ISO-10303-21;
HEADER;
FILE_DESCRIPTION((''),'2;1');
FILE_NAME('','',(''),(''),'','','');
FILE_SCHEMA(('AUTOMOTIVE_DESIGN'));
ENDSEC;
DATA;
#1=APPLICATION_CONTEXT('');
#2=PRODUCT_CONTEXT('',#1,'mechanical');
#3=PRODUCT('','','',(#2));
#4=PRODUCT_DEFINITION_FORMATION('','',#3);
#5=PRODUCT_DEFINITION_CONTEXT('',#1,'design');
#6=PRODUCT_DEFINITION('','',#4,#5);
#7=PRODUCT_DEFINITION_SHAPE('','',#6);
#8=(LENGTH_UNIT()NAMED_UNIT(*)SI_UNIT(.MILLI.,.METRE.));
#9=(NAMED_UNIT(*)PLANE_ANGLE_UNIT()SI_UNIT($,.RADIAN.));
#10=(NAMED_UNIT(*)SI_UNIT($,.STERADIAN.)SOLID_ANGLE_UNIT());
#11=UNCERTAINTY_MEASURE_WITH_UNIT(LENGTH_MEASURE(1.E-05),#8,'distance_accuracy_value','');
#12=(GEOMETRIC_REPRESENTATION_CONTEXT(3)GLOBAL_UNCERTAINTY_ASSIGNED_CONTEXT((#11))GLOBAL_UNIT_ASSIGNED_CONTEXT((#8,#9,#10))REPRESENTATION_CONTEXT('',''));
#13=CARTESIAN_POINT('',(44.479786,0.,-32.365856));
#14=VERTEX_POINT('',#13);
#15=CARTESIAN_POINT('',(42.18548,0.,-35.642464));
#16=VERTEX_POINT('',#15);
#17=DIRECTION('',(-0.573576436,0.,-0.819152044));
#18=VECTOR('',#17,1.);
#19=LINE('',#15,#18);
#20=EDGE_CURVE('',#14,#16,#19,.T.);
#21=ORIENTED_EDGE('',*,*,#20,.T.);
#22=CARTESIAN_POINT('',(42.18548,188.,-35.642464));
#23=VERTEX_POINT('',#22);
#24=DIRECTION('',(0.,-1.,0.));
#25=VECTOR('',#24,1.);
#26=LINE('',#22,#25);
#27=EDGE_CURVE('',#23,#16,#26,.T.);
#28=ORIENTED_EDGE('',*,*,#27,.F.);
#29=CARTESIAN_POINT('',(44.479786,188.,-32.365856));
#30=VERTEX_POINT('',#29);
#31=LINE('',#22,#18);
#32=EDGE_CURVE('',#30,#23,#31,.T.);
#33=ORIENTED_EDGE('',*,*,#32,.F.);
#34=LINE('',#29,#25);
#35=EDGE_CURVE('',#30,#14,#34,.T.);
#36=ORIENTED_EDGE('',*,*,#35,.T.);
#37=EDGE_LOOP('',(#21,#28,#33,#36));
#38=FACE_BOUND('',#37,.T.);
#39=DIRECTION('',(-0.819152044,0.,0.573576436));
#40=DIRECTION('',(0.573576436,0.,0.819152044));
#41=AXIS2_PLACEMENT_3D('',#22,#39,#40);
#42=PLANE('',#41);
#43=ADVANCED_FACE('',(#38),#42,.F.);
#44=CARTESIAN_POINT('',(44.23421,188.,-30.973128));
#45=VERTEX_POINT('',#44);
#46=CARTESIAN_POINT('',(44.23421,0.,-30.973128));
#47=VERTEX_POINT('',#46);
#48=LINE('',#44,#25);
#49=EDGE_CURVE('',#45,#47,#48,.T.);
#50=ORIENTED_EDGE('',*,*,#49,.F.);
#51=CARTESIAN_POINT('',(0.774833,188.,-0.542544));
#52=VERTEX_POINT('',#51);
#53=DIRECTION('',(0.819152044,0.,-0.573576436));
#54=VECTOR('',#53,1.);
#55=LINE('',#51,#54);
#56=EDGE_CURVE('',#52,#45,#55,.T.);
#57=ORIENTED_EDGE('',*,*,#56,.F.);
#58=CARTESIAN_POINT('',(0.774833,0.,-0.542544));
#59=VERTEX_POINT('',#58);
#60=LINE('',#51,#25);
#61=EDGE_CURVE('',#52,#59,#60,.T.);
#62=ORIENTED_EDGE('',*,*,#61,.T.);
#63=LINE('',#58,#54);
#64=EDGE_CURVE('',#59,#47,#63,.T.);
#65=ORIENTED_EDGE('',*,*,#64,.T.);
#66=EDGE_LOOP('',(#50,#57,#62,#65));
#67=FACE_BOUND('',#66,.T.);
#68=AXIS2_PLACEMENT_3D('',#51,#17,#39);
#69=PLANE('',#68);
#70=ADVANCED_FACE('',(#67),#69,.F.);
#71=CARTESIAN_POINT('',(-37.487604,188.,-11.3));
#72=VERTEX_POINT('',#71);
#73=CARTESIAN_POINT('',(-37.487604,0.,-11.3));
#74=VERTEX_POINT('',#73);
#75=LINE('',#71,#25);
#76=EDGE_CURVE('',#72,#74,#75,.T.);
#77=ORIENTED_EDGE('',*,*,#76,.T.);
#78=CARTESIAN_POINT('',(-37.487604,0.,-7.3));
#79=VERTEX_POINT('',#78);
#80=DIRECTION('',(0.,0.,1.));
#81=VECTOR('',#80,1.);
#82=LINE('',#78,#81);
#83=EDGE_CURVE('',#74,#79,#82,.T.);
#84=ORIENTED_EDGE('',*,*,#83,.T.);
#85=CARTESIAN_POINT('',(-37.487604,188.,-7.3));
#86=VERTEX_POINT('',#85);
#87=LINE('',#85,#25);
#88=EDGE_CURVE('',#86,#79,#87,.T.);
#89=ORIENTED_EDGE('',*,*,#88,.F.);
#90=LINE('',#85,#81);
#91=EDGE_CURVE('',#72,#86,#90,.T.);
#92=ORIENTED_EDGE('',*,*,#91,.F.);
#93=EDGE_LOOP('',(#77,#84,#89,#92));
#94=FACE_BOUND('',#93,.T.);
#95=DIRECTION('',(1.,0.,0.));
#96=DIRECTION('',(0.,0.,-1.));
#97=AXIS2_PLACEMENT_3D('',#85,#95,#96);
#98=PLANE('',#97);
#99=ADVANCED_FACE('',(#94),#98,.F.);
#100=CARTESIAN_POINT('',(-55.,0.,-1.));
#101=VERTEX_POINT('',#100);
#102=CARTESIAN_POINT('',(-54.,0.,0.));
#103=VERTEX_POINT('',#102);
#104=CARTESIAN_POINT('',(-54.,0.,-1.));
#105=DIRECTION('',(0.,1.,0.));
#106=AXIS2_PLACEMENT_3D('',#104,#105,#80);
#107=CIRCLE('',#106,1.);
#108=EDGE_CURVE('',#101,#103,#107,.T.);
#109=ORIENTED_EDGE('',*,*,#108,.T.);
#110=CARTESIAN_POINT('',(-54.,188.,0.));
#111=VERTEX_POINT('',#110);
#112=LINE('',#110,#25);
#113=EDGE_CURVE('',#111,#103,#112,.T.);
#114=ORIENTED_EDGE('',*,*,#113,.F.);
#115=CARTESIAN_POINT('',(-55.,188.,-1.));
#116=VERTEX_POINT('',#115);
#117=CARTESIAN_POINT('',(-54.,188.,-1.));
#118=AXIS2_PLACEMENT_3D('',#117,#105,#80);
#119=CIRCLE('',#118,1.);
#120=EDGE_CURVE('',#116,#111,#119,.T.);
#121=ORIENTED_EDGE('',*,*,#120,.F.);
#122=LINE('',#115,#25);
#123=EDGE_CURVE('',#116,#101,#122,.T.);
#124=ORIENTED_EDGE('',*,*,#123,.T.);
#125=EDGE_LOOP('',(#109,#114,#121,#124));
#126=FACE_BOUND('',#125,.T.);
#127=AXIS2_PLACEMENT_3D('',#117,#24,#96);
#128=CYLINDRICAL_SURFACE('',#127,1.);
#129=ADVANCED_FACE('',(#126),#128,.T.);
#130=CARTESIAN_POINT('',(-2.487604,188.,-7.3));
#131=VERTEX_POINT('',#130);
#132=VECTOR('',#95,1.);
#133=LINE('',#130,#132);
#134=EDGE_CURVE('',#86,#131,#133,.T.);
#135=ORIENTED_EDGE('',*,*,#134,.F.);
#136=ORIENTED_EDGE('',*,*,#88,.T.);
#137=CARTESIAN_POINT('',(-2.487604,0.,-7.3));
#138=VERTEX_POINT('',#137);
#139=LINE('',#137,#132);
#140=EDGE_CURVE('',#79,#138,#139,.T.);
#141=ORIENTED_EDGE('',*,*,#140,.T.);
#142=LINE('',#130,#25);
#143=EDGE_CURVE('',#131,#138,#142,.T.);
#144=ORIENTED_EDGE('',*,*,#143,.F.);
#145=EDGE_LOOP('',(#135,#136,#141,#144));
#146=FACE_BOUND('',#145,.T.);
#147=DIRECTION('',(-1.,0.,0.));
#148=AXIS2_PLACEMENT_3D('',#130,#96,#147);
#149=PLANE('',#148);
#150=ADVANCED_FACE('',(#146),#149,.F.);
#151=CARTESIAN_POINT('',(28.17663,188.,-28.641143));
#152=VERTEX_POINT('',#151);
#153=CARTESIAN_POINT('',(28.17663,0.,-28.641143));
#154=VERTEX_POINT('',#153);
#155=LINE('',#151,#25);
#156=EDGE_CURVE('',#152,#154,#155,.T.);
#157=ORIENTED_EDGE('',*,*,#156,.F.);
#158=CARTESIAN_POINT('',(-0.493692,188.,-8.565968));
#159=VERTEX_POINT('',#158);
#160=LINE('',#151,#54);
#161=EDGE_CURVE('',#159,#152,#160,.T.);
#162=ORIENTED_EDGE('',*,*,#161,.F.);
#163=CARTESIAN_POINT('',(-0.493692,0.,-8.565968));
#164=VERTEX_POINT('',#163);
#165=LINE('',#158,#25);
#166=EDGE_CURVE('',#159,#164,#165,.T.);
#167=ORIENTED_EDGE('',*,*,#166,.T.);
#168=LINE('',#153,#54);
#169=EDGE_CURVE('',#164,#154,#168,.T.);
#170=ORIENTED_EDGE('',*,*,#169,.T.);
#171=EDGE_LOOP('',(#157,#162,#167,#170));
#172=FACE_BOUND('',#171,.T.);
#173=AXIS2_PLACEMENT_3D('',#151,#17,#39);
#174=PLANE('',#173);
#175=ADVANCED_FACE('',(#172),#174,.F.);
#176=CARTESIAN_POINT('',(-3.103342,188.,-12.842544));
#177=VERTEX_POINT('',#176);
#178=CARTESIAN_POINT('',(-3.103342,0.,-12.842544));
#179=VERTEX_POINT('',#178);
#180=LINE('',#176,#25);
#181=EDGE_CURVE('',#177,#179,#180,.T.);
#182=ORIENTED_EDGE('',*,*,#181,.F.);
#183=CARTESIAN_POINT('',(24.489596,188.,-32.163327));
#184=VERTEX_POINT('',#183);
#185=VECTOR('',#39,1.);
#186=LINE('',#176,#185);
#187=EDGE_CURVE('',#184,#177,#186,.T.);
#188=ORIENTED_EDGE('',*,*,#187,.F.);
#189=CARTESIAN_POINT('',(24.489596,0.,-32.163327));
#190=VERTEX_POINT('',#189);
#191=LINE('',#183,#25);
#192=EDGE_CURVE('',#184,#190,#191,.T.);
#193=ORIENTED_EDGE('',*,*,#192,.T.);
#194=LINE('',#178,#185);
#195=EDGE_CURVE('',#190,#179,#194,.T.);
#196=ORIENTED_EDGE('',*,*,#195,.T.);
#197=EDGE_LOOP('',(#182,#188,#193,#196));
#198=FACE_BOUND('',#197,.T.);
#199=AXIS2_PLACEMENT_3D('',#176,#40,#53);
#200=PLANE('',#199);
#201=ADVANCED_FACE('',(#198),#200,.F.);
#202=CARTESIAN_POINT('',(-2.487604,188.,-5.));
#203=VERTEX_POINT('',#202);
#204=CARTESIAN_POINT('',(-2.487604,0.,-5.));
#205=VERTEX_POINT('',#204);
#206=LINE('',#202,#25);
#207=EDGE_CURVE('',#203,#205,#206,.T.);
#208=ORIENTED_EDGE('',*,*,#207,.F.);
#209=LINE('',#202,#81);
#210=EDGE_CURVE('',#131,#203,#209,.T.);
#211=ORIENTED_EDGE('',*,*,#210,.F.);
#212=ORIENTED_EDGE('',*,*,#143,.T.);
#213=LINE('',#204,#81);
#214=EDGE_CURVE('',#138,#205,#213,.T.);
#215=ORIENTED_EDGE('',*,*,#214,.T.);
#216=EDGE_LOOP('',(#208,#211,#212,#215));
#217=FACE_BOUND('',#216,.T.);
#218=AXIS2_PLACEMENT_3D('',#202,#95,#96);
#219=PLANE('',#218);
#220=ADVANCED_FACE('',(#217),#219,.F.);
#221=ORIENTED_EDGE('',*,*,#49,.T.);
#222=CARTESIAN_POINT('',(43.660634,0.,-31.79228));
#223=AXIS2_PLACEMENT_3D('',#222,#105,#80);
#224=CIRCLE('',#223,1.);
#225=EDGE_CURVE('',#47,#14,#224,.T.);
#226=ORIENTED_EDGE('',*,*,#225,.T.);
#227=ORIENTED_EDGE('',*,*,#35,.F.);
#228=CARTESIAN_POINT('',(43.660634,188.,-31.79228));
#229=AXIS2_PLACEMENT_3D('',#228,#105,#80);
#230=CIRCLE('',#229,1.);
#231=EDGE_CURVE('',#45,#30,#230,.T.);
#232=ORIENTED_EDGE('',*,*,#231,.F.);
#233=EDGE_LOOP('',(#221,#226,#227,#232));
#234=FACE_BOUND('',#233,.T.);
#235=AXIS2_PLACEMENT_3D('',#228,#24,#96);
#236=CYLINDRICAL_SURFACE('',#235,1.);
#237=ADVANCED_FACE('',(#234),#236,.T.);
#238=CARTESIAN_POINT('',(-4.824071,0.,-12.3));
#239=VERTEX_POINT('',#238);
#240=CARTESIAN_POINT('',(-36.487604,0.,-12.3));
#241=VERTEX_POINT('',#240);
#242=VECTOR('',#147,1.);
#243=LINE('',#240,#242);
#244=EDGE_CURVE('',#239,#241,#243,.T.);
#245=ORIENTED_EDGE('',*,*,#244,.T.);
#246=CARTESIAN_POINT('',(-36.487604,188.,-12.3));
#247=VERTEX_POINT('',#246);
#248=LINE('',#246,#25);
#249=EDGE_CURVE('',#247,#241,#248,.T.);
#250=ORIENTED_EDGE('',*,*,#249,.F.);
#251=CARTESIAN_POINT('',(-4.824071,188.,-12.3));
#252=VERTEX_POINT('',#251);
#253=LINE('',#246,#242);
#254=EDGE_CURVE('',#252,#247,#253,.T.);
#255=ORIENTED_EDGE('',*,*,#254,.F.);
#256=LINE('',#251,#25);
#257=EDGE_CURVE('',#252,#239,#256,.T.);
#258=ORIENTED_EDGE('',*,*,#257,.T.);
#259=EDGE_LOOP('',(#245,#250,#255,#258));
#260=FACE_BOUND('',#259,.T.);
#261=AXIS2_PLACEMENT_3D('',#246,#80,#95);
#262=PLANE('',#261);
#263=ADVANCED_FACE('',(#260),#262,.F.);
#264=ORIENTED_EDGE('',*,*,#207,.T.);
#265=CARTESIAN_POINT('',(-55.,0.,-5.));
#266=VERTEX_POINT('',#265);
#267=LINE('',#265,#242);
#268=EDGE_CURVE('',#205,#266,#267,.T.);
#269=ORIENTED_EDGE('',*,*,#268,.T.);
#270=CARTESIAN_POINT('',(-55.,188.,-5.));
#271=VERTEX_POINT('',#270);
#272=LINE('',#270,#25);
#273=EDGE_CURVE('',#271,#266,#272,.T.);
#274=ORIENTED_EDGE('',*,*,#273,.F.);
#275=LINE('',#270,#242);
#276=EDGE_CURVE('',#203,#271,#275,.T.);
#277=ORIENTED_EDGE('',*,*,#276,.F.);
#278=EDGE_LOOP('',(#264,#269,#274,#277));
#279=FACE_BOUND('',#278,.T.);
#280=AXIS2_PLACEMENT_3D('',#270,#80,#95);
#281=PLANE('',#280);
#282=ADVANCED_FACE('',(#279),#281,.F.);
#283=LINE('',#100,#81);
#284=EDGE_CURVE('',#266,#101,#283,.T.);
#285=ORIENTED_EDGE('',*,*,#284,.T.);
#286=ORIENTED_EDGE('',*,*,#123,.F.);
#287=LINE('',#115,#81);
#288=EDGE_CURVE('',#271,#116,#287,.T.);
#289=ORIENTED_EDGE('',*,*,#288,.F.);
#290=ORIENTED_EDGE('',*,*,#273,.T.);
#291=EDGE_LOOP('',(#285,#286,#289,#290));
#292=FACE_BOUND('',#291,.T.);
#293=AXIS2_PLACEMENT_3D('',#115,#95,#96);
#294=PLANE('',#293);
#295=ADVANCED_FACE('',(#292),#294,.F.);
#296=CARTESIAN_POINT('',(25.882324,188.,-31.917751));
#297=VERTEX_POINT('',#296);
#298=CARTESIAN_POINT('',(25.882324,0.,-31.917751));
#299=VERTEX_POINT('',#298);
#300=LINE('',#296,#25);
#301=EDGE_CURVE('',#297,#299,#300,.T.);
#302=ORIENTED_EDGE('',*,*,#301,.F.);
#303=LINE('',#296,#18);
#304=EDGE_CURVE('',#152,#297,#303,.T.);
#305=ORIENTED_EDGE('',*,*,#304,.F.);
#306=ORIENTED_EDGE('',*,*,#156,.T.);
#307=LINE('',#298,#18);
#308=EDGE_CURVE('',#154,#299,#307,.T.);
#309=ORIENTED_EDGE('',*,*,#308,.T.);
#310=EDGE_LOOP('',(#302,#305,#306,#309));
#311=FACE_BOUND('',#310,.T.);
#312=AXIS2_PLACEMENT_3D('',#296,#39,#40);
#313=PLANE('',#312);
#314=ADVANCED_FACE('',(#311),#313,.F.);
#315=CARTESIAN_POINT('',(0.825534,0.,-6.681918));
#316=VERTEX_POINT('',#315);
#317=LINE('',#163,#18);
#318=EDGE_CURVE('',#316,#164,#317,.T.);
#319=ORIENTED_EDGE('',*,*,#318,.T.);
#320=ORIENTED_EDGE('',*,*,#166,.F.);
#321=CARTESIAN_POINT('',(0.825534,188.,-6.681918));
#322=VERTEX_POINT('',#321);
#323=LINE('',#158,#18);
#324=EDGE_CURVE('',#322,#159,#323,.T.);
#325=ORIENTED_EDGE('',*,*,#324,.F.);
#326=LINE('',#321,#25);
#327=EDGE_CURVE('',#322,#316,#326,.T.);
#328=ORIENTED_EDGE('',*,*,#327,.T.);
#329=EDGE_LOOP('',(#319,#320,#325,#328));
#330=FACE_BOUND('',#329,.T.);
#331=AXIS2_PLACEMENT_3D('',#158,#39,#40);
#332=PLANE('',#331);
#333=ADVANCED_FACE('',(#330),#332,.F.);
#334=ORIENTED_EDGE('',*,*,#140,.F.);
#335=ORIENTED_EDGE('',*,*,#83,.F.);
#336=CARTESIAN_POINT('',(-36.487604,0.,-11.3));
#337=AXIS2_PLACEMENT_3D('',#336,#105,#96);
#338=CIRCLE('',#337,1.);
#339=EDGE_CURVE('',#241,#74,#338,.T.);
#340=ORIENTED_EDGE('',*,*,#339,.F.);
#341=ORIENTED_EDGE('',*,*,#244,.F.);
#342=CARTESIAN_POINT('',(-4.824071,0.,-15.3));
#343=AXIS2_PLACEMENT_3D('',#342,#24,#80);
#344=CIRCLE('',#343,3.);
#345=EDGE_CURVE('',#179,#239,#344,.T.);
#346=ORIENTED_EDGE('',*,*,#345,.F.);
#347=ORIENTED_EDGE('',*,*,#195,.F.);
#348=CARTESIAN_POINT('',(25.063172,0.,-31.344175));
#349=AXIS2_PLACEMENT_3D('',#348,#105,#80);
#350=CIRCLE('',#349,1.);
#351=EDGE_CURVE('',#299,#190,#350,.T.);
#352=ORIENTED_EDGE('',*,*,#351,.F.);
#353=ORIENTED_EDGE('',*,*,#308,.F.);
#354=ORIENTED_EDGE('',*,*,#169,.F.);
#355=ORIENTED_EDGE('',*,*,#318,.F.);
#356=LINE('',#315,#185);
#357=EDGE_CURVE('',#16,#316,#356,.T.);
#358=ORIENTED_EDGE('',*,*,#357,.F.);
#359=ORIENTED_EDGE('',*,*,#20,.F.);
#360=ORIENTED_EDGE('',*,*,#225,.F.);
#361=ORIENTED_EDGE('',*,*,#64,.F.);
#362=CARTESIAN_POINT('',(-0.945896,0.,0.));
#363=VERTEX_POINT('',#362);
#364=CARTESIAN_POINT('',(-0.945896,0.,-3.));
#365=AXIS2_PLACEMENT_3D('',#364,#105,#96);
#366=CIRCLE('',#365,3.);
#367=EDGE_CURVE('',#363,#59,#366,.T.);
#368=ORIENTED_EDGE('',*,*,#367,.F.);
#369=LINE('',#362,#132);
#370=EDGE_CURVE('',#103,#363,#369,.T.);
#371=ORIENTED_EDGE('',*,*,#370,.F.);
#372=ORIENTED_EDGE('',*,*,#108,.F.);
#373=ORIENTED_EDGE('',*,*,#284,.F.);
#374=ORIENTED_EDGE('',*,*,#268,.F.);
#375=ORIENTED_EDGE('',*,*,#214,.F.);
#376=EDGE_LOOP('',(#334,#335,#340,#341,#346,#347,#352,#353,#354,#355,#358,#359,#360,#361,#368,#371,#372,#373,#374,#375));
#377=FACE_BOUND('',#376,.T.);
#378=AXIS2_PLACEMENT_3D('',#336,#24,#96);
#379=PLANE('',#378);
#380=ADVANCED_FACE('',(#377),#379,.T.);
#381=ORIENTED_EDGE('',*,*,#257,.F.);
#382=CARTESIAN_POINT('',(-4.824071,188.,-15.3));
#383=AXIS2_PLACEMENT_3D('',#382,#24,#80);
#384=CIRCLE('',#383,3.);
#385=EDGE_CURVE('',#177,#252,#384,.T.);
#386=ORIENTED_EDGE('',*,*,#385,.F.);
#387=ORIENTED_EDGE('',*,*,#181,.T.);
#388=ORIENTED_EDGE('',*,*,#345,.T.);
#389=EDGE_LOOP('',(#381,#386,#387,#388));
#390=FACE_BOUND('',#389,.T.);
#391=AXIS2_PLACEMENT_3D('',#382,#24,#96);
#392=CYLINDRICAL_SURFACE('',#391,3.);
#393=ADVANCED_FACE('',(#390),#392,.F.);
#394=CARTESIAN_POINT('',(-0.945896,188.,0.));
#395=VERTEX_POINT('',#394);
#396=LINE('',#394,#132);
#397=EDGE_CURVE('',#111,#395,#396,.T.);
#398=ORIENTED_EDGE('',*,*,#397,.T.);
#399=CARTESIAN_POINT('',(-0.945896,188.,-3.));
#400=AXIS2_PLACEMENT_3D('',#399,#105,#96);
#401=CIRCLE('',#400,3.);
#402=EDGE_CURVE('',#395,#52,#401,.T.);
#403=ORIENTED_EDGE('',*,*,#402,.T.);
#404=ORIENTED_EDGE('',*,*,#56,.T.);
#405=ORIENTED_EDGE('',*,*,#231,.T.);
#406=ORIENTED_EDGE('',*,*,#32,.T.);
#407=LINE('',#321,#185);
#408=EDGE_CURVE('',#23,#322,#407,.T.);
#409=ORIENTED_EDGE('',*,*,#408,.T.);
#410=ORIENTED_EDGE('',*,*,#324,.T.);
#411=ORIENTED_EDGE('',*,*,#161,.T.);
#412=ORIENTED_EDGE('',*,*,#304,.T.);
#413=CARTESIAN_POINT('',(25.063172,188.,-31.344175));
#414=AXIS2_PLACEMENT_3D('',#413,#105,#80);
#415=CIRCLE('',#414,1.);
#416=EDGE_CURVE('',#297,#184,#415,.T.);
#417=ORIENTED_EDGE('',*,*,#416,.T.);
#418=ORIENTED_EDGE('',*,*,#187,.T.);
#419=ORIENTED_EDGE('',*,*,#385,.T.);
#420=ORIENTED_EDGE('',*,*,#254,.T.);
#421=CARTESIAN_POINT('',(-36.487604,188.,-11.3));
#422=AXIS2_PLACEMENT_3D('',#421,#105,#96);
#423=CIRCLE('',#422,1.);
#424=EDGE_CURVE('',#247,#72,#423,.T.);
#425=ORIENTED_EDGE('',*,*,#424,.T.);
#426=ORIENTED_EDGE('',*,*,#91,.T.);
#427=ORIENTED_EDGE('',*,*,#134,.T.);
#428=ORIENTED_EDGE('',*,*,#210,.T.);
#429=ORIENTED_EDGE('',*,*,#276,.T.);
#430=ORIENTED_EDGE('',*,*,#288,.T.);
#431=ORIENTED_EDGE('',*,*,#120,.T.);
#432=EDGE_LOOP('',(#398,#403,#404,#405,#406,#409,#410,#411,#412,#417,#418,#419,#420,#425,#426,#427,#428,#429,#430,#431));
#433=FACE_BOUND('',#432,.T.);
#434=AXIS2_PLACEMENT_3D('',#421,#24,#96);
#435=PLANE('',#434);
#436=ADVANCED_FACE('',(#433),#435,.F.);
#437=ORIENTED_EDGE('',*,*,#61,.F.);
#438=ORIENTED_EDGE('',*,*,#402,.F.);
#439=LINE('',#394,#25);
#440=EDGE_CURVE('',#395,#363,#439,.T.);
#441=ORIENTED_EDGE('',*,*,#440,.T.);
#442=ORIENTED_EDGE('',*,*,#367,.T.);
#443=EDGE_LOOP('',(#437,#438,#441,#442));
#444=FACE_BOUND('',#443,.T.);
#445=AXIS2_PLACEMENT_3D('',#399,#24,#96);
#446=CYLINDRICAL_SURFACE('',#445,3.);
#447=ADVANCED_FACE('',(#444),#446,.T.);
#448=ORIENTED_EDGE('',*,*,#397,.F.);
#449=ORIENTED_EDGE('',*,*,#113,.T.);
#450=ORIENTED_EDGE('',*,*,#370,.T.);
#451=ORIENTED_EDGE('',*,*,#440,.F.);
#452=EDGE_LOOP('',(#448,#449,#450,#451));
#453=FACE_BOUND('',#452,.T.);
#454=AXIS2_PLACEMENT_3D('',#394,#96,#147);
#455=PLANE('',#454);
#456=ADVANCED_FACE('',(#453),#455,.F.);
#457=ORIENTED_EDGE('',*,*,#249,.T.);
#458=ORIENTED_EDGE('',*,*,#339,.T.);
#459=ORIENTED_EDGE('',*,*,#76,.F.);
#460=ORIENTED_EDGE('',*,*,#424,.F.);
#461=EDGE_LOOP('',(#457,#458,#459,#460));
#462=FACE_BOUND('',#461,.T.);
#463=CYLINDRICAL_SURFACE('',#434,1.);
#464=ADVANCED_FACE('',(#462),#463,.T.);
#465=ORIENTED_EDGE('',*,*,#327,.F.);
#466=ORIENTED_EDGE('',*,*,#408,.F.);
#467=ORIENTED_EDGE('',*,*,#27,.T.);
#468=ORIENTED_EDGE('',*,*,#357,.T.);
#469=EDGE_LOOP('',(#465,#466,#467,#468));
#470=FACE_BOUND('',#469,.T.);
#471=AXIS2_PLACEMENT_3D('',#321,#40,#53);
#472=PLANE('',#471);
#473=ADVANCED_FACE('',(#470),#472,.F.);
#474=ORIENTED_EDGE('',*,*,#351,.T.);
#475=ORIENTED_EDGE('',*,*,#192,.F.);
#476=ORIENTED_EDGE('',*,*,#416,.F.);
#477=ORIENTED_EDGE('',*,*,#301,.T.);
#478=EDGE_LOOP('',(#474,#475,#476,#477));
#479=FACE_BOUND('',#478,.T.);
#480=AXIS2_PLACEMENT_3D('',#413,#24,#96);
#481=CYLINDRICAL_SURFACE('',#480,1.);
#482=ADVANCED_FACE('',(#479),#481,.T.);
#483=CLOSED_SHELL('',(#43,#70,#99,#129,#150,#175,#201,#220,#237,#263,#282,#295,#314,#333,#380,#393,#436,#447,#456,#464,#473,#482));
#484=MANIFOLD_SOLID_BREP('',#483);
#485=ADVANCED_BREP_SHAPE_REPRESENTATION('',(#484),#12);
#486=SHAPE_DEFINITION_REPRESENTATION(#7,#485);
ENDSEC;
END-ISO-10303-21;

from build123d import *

# Parameters (mm, degrees)
BOSS_EXTRUDE1_DEPTH = 188


with BuildPart() as part:
    # Sketch2 → Boss-Extrude1 (new body)
    with BuildSketch(Plane(origin=(0, 0, 0), x_dir=(1, 0, 0), z_dir=(0, 1, 0))):
        with BuildLine():
            Line((-0.945896367, 0), (-54, 0))
            ThreePointArc((-54, 0), (-54.707106781, 0.292893219), (-55, 1))
            Line((-55, 1), (-55, 5))
            Line((-55, 5), (-2.487604379, 5))
            Line((-2.487604379, 5), (-2.487604379, 7.3))
            Line((-2.487604379, 7.3), (-37.487604379, 7.3))
            Line((-37.487604379, 7.3), (-37.487604379, 11.3))
            ThreePointArc((-37.487604379, 11.3), (-37.19471116, 12.007106781), (-36.487604379, 12.3))
            Line((-36.487604379, 12.3), (-4.82407147, 12.3))
            ThreePointArc((-4.82407147, 12.3), (-3.921954071, 12.438849148), (-3.103342161, 12.842543867))
            Line((-3.103342161, 12.842543867), (24.489595683, 32.163326947))
            ThreePointArc((24.489595683, 32.163326947), (25.236820297, 32.328982656), (25.882324164, 31.917751339))
            Line((25.882324164, 31.917751339), (28.176629909, 28.641143162))
            Line((28.176629909, 28.641143162), (-0.493691641, 8.56596789))
            Line((-0.493691641, 8.56596789), (0.825534163, 6.681918188))
            Line((0.825534163, 6.681918188), (42.185480254, 35.642464221))
            Line((42.185480254, 35.642464221), (44.479786, 32.365856044))
            ThreePointArc((44.479786, 32.365856044), (44.645441708, 31.61863143), (44.234210392, 30.973127563))
            Line((44.234210392, 30.973127563), (0.774832942, 0.542543867))
            ThreePointArc((0.774832942, 0.542543867), (-0.043778968, 0.138849148), (-0.945896367, 0))
        make_face()
    extrude(amount=BOSS_EXTRUDE1_DEPTH)


solid = part.part
